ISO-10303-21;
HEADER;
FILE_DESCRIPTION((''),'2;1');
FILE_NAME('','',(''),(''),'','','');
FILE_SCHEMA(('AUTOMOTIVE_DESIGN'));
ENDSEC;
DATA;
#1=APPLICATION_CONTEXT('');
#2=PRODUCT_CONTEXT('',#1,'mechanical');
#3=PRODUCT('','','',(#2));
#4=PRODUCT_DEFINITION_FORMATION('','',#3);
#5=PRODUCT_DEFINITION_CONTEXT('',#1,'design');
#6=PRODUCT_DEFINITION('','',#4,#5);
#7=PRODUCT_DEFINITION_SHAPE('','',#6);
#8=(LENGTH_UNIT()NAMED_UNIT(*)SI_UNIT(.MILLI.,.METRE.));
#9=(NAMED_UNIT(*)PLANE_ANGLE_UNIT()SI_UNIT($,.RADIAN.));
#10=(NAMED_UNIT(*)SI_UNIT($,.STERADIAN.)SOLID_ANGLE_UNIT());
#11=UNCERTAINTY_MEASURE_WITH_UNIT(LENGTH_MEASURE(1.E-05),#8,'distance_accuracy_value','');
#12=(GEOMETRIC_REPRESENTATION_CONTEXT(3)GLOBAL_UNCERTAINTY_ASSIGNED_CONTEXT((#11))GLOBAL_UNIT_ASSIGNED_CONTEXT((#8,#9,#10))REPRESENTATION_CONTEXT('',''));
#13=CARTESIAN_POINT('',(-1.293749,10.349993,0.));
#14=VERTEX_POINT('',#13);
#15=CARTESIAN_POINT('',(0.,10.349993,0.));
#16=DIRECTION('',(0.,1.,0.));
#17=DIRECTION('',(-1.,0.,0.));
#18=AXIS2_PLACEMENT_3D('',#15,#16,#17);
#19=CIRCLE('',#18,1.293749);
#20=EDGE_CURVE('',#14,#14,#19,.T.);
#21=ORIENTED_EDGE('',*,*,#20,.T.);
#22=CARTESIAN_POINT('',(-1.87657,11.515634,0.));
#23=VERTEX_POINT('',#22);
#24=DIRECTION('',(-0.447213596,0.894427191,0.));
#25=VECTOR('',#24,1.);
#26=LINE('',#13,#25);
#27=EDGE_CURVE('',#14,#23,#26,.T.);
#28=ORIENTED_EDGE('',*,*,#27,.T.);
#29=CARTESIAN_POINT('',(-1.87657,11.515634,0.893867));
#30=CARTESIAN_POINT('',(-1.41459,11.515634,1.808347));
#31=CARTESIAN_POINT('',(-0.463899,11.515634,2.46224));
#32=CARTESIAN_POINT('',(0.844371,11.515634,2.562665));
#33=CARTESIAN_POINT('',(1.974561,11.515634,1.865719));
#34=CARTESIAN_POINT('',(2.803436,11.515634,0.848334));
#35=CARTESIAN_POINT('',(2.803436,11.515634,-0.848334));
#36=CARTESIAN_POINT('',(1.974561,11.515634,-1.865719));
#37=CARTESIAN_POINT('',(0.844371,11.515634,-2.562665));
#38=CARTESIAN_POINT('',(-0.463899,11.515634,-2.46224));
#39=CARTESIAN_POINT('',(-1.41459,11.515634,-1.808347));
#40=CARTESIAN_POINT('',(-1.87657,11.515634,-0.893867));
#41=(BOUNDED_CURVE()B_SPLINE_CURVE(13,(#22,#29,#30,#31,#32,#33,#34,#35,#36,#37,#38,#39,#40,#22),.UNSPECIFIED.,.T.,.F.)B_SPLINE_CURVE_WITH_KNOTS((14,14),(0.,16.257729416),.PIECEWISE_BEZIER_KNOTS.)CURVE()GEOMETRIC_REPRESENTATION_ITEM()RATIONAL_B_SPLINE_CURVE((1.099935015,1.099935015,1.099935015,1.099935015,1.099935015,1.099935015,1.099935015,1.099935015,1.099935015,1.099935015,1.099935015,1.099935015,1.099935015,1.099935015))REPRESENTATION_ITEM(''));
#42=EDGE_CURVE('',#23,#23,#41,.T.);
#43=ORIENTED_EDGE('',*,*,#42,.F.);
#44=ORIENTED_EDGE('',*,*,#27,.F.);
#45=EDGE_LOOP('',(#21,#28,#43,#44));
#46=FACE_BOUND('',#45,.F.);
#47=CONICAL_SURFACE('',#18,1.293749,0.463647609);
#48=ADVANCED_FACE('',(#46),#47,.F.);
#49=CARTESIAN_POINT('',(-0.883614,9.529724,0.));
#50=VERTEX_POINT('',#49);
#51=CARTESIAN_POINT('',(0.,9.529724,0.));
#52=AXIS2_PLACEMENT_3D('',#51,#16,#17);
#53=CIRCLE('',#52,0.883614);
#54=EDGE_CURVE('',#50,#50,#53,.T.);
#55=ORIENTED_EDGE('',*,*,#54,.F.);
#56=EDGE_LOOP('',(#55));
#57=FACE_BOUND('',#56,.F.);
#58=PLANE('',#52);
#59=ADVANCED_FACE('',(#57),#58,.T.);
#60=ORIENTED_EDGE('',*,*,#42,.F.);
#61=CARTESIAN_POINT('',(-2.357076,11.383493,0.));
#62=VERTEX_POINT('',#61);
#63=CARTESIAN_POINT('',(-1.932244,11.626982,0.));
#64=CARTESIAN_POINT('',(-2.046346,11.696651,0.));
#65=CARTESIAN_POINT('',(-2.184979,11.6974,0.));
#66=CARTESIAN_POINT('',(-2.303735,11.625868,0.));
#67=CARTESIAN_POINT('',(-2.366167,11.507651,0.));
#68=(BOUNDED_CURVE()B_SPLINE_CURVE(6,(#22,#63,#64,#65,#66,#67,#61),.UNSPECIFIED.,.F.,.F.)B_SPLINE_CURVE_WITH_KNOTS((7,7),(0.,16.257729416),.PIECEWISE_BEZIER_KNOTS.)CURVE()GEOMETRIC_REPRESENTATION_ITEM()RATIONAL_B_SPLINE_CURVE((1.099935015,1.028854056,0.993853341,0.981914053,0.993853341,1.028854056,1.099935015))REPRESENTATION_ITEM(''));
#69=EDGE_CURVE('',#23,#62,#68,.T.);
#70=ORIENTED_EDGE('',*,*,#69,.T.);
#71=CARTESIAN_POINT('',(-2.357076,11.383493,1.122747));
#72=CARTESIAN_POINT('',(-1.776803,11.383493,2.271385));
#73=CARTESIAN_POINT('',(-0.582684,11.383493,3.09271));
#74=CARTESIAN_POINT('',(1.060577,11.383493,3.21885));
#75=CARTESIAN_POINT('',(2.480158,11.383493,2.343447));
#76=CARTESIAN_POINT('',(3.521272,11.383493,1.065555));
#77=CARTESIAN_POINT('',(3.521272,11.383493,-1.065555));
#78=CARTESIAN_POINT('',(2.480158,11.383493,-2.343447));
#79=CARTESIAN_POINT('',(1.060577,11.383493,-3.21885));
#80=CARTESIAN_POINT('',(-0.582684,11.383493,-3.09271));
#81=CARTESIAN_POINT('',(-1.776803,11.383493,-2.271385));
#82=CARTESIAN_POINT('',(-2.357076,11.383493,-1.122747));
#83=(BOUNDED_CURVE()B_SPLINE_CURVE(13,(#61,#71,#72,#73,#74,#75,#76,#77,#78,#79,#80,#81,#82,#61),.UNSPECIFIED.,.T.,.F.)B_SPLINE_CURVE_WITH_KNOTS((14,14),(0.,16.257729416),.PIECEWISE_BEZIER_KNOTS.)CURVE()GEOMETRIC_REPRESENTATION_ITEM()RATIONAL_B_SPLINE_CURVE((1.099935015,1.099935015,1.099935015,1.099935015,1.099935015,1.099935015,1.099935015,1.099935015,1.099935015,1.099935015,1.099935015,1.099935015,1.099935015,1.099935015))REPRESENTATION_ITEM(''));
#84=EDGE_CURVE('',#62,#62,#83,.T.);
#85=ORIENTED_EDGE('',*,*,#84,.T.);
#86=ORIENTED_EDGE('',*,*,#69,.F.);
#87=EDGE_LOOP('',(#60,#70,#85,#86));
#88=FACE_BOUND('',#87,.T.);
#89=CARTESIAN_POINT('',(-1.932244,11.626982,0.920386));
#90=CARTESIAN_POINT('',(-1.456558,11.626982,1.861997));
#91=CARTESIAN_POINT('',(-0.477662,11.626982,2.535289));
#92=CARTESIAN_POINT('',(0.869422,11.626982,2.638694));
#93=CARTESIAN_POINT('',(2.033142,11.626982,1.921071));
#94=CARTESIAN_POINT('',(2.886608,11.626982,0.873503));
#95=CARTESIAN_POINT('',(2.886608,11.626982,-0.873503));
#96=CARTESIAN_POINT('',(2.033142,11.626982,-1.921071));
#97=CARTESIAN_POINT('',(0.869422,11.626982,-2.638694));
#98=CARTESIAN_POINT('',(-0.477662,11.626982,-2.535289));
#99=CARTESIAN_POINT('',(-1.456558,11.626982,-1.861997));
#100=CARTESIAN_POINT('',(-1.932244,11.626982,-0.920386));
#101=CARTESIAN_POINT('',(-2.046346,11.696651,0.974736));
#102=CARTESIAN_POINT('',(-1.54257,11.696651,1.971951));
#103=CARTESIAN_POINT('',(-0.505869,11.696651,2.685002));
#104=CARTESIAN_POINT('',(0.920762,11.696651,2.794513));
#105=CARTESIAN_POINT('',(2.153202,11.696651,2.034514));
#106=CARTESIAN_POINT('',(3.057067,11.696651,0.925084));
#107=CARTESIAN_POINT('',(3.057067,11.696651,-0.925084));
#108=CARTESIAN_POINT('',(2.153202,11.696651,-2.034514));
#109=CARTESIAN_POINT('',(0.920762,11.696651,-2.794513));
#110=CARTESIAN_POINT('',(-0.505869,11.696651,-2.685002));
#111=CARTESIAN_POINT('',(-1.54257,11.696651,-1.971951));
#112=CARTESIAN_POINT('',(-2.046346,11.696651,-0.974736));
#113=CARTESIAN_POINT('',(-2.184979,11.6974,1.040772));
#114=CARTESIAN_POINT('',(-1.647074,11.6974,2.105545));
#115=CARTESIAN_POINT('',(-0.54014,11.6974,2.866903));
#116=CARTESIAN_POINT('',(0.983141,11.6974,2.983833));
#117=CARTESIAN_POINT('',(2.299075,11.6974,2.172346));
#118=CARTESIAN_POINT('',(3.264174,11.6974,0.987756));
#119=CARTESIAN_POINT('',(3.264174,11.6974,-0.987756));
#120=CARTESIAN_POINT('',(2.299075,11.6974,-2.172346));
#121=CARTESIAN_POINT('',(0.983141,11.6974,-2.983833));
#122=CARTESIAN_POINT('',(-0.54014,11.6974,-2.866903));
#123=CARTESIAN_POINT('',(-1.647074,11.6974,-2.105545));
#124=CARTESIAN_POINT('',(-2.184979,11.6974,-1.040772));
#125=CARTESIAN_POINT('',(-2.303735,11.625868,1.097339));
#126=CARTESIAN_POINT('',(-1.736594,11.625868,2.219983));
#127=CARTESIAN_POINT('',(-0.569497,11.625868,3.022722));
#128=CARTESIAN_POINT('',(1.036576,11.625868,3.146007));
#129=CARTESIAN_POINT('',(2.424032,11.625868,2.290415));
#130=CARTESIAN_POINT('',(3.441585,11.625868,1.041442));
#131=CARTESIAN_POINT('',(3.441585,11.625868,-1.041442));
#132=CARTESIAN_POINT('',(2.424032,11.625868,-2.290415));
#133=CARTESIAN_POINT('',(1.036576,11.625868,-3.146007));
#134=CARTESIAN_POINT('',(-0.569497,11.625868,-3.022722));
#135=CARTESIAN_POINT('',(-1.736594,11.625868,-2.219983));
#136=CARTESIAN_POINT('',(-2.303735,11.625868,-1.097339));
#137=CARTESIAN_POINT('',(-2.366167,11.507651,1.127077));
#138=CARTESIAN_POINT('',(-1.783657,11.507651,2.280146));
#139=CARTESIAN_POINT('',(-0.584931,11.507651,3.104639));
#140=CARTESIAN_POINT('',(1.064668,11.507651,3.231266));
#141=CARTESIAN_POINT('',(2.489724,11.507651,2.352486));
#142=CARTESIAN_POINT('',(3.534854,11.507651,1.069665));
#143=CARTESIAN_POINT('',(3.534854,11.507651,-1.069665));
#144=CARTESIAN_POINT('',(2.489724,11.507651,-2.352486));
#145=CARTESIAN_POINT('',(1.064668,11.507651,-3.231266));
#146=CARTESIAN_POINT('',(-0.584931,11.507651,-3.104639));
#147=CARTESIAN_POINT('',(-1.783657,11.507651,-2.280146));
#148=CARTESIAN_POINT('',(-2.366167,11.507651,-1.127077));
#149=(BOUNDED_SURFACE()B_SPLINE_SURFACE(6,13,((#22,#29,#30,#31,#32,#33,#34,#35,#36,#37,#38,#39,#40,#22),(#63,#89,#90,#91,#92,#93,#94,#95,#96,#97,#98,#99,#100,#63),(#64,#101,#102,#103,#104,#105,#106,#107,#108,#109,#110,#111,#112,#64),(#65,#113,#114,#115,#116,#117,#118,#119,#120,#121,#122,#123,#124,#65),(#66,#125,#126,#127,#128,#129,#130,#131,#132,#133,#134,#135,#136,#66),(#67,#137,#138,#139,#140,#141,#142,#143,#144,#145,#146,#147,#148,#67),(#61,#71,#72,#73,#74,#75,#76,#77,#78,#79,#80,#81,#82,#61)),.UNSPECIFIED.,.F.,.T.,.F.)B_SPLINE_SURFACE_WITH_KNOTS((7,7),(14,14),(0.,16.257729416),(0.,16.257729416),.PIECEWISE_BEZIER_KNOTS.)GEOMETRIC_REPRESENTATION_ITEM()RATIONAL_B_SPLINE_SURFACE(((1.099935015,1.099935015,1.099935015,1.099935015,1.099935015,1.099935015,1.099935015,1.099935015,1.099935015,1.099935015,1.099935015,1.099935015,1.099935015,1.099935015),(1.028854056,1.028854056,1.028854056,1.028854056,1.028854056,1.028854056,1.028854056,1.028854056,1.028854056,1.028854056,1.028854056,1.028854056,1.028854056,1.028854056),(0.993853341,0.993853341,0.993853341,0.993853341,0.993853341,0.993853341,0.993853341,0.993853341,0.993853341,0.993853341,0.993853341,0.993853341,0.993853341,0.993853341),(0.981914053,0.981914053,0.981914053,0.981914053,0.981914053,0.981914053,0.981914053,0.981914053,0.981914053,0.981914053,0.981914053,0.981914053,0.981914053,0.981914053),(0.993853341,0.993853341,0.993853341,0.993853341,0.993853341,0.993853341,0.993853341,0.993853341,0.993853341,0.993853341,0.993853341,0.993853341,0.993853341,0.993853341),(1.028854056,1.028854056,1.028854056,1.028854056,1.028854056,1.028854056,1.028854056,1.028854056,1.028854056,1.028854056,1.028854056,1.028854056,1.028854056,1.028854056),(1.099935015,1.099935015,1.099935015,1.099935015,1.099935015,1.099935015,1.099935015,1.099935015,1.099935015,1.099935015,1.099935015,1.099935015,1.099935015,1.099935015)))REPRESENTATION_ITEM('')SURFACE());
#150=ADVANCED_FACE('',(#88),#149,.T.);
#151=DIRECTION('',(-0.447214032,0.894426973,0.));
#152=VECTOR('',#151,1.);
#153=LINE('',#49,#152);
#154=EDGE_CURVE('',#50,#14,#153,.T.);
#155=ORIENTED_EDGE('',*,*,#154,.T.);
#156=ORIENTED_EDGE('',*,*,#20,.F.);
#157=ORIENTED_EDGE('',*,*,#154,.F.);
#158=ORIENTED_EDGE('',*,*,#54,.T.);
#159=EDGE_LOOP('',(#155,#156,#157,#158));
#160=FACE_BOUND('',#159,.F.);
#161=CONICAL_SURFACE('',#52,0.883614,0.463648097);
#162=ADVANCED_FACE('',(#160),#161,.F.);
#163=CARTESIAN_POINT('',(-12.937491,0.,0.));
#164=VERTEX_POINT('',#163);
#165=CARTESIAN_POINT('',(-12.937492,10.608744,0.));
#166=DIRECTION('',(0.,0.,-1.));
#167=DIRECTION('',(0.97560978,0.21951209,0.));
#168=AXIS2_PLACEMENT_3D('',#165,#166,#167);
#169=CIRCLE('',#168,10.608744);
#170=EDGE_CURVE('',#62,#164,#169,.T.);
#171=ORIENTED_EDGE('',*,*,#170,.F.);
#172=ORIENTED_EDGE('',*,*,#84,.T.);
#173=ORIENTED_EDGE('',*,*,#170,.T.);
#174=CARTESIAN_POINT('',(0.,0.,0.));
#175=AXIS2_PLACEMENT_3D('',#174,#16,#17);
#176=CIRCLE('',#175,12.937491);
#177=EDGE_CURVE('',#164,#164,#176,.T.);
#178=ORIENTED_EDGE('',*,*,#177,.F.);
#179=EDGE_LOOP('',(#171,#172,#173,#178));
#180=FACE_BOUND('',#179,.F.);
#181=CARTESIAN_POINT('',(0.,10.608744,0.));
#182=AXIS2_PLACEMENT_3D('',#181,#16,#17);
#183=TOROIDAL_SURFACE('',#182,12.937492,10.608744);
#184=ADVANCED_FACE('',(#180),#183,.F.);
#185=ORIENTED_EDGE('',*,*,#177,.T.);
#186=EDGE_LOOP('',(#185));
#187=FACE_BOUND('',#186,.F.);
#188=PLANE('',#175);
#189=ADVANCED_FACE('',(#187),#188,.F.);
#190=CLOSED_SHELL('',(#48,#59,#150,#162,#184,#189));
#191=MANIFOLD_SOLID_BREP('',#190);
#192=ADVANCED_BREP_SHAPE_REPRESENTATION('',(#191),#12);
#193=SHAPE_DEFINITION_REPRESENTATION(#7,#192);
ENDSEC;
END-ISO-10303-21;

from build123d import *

# Parameters (mm, degrees)
F2_R = 0.254


with BuildPart() as f1:
    # F0 (on Top) → F1 (revolve)
    with BuildSketch(Plane.XY):
        with BuildLine():
            Line((-12.937491, 0), (0, 0))
            Line((0, 0), (0, 9.529724))
            Line((0, 9.529724), (-0.883614, 9.529724))
            Line((-0.883614, 9.529724), (-1.293749, 10.349993))
            Line((-1.293749, 10.349993), (-2.587498, 12.937491))
            ThreePointArc((-2.587498, 12.937491), (-4.653455, 3.981514), (-12.937491, 0))
        make_face()
    revolve(axis=Axis((0, 4.764862, 0), (0, 1, 0)))

    # F2
    f2_edges = [f1.edges().sort_by_distance(p)[0] for p in [
        (2.587498, 12.937491, 0),
    ]]
    fillet(f2_edges, radius=F2_R)


solid = f1.part
